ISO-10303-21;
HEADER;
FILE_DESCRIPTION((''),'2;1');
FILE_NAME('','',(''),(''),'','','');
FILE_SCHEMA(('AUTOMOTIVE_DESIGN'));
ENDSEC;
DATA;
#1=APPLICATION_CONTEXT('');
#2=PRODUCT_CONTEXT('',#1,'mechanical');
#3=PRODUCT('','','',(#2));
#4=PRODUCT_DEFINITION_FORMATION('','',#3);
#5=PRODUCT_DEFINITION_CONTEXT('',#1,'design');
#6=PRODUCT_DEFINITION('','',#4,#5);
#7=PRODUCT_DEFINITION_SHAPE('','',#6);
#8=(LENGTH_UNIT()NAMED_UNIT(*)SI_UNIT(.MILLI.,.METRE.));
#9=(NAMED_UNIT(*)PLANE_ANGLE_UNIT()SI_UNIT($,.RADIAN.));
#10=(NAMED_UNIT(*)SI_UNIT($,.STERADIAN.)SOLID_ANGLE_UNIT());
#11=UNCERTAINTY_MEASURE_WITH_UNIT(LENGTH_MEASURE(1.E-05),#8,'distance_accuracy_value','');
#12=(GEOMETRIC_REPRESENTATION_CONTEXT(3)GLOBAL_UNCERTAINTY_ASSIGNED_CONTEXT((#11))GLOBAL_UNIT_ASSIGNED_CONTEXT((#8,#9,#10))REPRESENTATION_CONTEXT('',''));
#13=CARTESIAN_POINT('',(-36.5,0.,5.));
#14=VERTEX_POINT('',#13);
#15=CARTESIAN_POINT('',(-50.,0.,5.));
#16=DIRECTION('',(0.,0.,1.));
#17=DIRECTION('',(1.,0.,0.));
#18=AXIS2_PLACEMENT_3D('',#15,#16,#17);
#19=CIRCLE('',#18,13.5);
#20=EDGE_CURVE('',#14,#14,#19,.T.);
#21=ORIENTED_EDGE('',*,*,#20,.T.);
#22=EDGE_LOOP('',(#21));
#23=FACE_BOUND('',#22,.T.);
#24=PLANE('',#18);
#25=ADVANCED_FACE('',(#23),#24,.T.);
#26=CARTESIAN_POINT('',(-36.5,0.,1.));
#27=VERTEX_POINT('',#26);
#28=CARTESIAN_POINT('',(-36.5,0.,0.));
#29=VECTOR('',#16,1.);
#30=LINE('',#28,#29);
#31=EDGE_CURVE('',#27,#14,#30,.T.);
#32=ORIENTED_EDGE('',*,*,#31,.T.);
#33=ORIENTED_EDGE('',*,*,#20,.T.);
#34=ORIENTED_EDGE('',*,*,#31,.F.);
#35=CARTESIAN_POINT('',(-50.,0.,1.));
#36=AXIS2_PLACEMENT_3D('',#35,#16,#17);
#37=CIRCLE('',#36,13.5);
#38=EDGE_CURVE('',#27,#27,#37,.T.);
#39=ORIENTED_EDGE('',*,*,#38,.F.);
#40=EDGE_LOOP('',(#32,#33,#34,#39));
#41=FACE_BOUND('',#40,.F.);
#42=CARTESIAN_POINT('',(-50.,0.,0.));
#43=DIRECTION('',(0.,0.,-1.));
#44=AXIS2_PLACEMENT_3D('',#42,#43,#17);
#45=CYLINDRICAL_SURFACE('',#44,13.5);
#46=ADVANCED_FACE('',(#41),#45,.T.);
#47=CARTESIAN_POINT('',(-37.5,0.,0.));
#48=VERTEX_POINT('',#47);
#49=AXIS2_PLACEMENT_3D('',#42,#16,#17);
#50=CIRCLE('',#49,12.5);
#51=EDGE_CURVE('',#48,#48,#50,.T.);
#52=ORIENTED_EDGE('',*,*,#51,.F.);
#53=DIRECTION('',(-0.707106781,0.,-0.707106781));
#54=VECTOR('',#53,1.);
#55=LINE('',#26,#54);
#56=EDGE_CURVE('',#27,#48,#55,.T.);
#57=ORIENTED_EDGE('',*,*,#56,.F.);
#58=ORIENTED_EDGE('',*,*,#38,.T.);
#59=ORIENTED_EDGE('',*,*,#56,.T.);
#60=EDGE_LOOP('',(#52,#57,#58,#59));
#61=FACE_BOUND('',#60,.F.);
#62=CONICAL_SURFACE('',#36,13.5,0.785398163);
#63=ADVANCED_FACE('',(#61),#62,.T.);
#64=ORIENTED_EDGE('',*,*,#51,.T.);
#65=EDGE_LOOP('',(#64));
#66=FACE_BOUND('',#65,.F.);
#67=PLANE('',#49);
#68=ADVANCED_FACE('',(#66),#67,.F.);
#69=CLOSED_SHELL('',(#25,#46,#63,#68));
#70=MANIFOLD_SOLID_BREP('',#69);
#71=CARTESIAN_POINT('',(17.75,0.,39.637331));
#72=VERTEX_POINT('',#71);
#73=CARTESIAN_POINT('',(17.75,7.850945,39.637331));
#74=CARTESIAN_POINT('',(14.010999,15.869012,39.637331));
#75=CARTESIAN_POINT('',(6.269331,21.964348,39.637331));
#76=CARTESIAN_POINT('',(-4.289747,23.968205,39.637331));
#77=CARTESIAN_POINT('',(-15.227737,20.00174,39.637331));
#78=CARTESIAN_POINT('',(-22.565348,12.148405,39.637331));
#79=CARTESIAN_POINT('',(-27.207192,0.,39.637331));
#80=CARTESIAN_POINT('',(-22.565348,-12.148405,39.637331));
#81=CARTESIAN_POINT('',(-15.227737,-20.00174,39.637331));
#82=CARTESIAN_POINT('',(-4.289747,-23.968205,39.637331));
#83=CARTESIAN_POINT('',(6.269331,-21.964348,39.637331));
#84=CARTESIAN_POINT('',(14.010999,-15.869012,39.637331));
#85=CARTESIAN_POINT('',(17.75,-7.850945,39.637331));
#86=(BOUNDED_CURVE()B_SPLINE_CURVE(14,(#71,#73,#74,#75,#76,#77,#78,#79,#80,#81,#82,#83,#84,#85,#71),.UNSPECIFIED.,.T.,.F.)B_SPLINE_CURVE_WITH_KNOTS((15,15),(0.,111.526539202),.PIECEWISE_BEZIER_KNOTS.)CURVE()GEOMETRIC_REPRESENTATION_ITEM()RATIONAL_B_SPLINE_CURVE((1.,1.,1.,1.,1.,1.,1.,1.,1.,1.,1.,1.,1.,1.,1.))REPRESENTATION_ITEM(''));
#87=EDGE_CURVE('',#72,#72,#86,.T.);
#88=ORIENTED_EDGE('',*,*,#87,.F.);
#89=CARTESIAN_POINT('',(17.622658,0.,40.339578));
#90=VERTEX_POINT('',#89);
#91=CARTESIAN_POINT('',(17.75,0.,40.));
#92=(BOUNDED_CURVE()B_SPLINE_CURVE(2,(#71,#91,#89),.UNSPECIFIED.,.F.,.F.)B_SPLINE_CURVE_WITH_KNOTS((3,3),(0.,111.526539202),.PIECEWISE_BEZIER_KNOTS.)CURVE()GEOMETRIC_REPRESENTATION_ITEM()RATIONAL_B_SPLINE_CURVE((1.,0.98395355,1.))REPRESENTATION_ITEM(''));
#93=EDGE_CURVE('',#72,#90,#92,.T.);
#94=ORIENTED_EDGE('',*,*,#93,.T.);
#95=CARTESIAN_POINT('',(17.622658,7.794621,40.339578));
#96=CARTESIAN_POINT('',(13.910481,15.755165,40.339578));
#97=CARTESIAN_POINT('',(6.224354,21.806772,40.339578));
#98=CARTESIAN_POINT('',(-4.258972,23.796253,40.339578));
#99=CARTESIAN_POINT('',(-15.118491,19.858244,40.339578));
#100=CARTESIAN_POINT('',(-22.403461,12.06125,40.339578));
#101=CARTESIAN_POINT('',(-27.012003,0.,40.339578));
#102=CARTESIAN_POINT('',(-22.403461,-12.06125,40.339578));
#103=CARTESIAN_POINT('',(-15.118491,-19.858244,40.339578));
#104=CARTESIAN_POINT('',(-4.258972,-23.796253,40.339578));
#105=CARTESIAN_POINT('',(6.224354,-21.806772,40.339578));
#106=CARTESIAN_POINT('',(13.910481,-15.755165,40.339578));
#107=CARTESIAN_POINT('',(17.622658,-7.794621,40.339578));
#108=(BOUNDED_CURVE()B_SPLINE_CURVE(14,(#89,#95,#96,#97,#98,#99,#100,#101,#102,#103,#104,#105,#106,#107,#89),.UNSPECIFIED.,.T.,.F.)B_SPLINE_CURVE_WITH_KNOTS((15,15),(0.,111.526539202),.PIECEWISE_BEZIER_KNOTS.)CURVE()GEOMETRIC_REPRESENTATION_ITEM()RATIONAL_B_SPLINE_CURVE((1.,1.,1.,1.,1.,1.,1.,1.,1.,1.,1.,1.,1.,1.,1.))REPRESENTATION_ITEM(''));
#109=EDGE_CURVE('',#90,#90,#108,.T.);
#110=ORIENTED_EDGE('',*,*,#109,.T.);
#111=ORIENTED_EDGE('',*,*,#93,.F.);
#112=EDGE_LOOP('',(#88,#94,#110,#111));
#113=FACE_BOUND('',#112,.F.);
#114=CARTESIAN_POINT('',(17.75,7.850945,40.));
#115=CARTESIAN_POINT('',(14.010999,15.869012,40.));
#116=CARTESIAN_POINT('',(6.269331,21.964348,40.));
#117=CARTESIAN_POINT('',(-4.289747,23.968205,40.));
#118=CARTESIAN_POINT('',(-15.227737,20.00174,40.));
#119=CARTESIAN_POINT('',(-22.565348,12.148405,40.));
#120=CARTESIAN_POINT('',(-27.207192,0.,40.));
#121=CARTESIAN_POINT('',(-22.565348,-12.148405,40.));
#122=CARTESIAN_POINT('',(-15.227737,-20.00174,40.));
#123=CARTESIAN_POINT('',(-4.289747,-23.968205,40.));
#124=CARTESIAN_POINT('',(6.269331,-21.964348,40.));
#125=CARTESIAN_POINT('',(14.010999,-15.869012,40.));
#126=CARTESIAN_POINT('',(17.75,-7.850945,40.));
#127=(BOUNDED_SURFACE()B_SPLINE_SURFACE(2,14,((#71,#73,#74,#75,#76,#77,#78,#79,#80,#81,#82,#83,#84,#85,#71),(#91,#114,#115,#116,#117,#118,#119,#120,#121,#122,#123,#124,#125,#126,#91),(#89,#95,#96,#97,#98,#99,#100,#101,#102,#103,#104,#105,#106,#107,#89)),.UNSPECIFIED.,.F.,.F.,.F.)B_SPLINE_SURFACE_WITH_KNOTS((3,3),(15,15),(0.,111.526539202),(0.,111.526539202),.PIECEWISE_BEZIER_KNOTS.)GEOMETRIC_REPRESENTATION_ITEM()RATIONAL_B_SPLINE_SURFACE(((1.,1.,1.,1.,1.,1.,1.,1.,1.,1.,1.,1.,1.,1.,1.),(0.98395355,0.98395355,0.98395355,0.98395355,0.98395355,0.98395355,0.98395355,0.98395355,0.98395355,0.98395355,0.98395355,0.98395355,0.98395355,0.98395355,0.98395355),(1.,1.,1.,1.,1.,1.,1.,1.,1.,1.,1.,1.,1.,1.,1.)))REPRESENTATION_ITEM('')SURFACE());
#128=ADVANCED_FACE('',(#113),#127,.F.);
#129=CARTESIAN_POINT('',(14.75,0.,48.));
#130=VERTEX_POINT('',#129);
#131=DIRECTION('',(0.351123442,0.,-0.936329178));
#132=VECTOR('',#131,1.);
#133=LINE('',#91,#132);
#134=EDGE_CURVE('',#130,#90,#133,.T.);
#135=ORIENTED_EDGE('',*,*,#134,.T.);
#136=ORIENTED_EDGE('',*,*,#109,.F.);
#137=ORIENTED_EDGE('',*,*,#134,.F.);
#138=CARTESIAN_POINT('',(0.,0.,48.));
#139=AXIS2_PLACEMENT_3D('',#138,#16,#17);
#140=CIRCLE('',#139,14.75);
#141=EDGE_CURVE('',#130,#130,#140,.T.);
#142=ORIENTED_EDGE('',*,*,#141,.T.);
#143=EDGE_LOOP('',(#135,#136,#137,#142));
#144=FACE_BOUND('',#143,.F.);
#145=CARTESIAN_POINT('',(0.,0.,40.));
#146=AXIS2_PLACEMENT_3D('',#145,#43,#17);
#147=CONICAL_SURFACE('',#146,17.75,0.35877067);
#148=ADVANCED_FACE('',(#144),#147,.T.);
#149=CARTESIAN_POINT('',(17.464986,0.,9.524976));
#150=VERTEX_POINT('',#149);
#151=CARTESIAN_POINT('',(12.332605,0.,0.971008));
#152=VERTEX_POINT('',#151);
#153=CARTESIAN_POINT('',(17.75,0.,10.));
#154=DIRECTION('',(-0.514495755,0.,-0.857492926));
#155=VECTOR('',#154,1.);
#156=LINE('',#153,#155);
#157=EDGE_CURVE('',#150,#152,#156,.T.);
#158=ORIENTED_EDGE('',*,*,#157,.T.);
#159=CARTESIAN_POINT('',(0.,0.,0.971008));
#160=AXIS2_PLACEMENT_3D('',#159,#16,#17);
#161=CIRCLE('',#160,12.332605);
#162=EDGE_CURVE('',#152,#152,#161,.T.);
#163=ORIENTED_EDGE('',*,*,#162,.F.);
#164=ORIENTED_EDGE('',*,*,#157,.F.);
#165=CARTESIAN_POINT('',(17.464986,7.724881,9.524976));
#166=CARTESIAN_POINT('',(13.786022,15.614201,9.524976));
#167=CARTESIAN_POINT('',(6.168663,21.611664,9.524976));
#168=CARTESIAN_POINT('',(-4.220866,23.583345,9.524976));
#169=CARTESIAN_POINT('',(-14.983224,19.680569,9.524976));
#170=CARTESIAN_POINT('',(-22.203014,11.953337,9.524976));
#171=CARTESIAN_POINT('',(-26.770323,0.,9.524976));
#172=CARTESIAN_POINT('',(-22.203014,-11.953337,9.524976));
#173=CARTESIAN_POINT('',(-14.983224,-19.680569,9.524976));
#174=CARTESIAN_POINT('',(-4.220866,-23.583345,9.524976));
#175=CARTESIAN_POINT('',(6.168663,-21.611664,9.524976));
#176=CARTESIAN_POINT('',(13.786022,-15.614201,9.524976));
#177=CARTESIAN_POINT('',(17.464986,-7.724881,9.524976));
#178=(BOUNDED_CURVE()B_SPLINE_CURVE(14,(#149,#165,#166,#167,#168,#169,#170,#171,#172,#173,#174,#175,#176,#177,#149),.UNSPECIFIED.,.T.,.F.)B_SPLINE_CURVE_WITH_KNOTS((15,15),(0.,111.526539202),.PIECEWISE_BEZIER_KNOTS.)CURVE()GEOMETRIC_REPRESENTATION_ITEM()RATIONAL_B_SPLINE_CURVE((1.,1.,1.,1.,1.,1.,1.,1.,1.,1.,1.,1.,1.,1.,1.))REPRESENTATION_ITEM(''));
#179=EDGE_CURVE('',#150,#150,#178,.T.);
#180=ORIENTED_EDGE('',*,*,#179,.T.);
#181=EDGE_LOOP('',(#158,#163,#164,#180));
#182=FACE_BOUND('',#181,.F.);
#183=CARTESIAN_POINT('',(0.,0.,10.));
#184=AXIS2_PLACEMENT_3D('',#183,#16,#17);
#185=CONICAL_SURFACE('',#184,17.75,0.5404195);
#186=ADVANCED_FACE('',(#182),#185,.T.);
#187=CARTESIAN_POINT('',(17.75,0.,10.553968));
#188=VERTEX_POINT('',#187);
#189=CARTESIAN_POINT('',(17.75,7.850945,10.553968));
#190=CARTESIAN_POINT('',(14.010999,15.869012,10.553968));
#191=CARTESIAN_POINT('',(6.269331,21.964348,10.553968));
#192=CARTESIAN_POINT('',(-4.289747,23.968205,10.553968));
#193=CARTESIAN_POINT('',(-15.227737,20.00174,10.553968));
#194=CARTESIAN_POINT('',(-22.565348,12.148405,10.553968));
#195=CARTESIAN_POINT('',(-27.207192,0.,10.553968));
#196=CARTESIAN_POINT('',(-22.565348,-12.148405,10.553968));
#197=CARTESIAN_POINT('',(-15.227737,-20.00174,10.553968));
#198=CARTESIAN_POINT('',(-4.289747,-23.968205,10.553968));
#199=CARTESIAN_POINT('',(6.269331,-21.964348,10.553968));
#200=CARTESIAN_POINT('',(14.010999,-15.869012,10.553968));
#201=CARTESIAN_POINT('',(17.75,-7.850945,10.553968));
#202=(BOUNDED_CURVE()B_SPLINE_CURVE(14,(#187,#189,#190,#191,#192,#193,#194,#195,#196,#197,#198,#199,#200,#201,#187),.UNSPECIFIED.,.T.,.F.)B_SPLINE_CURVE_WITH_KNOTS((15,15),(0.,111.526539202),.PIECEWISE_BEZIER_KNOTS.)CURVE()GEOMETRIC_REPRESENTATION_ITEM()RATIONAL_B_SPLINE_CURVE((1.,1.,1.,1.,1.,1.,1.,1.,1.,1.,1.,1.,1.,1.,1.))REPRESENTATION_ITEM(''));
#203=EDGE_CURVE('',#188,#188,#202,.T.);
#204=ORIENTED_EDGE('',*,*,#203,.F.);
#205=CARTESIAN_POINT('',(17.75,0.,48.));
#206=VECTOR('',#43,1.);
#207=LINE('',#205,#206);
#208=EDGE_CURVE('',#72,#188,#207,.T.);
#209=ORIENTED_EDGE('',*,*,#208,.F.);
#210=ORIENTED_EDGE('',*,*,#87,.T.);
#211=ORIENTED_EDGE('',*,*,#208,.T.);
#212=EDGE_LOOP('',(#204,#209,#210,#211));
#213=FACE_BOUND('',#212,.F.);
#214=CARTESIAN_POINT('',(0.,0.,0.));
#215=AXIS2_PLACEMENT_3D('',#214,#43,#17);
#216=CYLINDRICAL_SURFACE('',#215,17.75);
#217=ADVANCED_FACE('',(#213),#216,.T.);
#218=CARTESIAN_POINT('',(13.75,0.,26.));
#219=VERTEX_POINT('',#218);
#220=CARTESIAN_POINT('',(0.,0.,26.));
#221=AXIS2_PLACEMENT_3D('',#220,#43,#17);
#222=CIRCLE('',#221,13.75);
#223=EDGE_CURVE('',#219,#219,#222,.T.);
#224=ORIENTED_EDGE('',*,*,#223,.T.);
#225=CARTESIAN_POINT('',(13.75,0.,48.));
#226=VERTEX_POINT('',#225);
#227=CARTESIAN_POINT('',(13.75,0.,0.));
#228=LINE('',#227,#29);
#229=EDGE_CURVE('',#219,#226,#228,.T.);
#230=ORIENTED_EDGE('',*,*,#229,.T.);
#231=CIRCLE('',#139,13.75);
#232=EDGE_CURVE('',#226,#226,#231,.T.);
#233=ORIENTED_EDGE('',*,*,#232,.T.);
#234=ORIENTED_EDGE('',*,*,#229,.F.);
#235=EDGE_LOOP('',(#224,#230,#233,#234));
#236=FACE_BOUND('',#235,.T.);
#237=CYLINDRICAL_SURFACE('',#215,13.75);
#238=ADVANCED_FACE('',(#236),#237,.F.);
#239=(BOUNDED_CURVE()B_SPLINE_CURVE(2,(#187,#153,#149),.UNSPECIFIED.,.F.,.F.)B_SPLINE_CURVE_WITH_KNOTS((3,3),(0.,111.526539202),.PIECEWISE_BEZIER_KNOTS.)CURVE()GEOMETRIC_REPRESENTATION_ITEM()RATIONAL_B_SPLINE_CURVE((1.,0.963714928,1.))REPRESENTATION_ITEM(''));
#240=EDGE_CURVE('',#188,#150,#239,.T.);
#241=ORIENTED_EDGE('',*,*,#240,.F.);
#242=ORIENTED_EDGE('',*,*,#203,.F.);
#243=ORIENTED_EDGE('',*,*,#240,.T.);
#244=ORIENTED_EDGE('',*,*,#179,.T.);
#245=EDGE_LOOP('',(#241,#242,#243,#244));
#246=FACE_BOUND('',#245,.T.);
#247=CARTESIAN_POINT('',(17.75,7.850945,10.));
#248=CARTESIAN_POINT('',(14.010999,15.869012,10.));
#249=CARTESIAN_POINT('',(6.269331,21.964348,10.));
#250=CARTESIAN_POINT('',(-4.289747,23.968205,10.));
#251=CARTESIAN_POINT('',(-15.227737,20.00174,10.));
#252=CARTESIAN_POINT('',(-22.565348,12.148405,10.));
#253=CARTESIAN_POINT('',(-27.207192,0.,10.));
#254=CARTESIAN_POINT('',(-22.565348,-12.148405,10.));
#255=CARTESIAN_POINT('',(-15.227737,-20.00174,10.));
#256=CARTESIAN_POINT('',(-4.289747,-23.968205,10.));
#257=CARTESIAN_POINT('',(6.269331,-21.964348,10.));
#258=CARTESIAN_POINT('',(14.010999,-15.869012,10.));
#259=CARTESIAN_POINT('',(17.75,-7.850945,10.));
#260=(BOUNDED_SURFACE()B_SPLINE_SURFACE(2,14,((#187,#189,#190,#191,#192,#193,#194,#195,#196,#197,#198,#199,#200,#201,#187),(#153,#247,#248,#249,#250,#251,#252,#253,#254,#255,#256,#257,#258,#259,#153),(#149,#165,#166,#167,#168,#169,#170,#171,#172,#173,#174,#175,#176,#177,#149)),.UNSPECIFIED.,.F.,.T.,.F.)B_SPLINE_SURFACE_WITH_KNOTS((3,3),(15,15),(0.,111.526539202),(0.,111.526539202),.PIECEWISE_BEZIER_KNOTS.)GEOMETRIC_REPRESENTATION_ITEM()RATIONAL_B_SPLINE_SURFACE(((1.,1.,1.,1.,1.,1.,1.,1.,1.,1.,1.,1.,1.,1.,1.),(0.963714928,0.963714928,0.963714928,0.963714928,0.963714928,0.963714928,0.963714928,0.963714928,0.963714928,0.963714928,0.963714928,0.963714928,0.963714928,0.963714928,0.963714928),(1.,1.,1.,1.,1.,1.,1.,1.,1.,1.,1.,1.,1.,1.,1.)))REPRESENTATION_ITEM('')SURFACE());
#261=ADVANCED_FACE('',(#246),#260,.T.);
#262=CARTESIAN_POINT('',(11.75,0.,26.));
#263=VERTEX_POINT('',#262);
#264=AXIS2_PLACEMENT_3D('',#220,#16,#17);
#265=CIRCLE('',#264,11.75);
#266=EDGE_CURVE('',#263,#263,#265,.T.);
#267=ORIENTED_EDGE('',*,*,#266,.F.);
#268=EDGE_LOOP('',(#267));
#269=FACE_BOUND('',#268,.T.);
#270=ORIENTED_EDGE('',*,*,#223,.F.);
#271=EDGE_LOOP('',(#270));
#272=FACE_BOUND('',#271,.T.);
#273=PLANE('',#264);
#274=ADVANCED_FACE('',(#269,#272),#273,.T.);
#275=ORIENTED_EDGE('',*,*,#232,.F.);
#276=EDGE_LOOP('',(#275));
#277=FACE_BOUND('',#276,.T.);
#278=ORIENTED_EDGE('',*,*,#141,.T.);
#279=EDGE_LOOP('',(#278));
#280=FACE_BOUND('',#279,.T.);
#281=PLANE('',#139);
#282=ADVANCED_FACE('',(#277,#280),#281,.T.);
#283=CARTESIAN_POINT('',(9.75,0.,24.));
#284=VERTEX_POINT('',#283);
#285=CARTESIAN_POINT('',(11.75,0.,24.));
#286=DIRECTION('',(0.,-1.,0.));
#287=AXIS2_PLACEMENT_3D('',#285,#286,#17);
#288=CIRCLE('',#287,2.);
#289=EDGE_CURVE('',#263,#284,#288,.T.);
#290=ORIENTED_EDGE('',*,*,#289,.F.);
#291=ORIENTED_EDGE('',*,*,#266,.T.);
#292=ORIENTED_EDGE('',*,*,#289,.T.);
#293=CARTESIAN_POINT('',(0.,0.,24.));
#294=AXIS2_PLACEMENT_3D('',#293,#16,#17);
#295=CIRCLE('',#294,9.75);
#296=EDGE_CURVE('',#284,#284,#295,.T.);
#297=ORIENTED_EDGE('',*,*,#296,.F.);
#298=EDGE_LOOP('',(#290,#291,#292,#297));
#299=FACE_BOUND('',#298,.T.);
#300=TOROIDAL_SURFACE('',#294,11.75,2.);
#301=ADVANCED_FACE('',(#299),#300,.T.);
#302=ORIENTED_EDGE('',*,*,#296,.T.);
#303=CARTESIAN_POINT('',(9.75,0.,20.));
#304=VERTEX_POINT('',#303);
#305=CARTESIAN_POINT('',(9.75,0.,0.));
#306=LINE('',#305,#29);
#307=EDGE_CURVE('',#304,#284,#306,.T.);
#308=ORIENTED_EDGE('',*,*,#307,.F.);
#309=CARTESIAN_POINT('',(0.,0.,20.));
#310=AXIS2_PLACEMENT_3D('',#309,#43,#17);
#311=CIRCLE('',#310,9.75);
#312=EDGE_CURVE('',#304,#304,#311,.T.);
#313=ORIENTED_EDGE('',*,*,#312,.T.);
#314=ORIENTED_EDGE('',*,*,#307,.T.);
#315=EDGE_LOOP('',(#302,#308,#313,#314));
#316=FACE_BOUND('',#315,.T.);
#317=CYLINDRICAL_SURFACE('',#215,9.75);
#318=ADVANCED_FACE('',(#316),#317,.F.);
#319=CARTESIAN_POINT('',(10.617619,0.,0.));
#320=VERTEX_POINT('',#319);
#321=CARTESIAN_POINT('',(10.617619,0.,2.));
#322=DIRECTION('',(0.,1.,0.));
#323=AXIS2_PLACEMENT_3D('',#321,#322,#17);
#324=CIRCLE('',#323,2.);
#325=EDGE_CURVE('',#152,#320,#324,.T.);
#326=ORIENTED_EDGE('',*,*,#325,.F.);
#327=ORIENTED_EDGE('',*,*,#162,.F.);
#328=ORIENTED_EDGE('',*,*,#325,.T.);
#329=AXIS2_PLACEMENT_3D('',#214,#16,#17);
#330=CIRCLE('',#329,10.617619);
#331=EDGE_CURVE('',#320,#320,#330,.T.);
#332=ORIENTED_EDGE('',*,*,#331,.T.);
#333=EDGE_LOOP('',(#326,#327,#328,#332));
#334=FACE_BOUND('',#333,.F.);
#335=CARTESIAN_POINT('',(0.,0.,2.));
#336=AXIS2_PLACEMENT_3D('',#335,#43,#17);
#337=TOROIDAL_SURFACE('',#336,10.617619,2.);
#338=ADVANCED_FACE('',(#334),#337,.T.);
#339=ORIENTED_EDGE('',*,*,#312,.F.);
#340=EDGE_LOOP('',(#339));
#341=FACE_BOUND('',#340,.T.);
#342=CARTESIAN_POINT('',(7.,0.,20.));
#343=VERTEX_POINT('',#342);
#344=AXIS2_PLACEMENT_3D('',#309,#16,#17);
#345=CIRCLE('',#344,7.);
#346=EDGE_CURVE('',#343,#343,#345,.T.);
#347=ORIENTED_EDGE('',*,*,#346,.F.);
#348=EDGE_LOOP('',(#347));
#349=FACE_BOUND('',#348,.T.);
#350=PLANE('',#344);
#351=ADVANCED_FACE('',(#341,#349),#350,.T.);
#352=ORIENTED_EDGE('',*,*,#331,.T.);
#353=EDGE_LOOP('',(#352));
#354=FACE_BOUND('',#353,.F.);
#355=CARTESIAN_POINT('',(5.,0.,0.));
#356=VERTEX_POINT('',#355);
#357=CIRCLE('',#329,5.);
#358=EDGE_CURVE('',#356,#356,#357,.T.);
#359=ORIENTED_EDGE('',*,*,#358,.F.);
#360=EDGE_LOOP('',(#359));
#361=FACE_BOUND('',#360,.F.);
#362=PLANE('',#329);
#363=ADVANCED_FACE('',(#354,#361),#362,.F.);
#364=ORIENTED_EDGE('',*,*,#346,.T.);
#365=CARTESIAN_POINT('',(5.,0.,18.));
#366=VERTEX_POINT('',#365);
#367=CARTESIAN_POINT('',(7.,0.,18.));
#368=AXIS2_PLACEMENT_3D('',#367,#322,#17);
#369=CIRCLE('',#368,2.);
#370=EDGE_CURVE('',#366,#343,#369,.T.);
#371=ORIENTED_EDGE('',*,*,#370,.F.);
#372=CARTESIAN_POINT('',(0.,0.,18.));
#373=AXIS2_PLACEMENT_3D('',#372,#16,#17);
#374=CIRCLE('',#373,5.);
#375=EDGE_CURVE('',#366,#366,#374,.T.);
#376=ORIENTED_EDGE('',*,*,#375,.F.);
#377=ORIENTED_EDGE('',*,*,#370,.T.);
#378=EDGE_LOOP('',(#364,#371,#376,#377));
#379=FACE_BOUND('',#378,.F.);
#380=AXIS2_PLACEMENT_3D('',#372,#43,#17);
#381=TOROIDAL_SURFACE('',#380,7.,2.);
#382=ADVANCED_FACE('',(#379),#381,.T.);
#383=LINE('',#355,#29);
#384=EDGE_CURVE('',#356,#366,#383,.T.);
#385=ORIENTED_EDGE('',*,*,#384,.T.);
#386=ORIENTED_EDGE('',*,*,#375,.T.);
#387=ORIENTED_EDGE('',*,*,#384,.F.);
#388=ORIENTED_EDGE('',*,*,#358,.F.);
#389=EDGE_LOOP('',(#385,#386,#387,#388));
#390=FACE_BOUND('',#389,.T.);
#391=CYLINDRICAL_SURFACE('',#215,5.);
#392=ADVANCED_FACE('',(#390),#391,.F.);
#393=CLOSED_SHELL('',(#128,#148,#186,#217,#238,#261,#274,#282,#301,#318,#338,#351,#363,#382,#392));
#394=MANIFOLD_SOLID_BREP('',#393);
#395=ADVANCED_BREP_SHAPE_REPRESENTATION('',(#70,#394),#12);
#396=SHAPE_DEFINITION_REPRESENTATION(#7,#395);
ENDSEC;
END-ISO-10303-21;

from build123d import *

# Parameters (mm, degrees)
F0_R     = 17.75
F0_R_2   = 13.75
F0_R_3   = 9.75
F0_R_4   = 5
F1_DEPTH = 20
F2_DEPTH = 26
F3_DEPTH = 48
F4_SIZE2 = 6
F4_SIZE  = 10
F5_SIZE2 = 8
F5_SIZE  = 3
F0_R_5   = 13.5
F6_DEPTH = 5
F7_SIZE  = 1
F8_R     = 2


with BuildPart() as f1:
    # F0 (on Top) → F1 (new body)
    with BuildSketch(Plane.XY):
        Circle(F0_R)
        Circle(F0_R_2, mode=Mode.SUBTRACT)
        Circle(F0_R_2)
        Circle(F0_R_3, mode=Mode.SUBTRACT)
        Circle(F0_R_3)
        Circle(F0_R_4, mode=Mode.SUBTRACT)
    extrude(amount=F1_DEPTH)

    # F0 (on Top) → F2 (join)
    with BuildSketch(Plane.XY):
        Circle(F0_R)
        Circle(F0_R_2, mode=Mode.SUBTRACT)
        Circle(F0_R_2)
        Circle(F0_R_3, mode=Mode.SUBTRACT)
    extrude(amount=F2_DEPTH)

    # F0 (on Top) → F3 (join)
    with BuildSketch(Plane.XY):
        Circle(F0_R)
        Circle(F0_R_2, mode=Mode.SUBTRACT)
    extrude(amount=F3_DEPTH)

    # F4
    f4_edges = [f1.edges().sort_by_distance(p)[0] for p in [
        (-17.75, 0, 0),
    ]]
    f4_side = f1.faces().sort_by_distance((-17.75, 0, 24))[0]
    chamfer(f4_edges, length=F4_SIZE, length2=F4_SIZE2, reference=f4_side)

    # F5
    f5_edges = [f1.edges().sort_by_distance(p)[0] for p in [
        (-17.75, 0, 48),
    ]]
    f5_side = f1.faces().sort_by_distance((-17.247954, 0, 48))[0]
    chamfer(f5_edges, length=F5_SIZE, length2=F5_SIZE2, reference=f5_side)

    # F8
    f8_edges = [f1.edges().sort_by_distance(p)[0] for p in [
        (-9.75, 0, 26),
        (-5, 0, 20),
        (14.75, 0, 5),
        (-17.75, 0, 10),
        (-11.75, 0, 0),
        (-17.75, 0, 40),
    ]]
    fillet(f8_edges, radius=F8_R)


with BuildPart() as f6:
    # F0 (on Top) → F6 (new body)
    with BuildSketch(Plane.XY):
        with Locations((-50, 0)):
            Circle(F0_R_5)
    extrude(amount=F6_DEPTH)

    # F7
    f7_edges = [f6.edges().sort_by_distance(p)[0] for p in [
        (-63.5, 0, 0),
    ]]
    chamfer(f7_edges, length=F7_SIZE)


solid = Compound([f1.part, f6.part])
